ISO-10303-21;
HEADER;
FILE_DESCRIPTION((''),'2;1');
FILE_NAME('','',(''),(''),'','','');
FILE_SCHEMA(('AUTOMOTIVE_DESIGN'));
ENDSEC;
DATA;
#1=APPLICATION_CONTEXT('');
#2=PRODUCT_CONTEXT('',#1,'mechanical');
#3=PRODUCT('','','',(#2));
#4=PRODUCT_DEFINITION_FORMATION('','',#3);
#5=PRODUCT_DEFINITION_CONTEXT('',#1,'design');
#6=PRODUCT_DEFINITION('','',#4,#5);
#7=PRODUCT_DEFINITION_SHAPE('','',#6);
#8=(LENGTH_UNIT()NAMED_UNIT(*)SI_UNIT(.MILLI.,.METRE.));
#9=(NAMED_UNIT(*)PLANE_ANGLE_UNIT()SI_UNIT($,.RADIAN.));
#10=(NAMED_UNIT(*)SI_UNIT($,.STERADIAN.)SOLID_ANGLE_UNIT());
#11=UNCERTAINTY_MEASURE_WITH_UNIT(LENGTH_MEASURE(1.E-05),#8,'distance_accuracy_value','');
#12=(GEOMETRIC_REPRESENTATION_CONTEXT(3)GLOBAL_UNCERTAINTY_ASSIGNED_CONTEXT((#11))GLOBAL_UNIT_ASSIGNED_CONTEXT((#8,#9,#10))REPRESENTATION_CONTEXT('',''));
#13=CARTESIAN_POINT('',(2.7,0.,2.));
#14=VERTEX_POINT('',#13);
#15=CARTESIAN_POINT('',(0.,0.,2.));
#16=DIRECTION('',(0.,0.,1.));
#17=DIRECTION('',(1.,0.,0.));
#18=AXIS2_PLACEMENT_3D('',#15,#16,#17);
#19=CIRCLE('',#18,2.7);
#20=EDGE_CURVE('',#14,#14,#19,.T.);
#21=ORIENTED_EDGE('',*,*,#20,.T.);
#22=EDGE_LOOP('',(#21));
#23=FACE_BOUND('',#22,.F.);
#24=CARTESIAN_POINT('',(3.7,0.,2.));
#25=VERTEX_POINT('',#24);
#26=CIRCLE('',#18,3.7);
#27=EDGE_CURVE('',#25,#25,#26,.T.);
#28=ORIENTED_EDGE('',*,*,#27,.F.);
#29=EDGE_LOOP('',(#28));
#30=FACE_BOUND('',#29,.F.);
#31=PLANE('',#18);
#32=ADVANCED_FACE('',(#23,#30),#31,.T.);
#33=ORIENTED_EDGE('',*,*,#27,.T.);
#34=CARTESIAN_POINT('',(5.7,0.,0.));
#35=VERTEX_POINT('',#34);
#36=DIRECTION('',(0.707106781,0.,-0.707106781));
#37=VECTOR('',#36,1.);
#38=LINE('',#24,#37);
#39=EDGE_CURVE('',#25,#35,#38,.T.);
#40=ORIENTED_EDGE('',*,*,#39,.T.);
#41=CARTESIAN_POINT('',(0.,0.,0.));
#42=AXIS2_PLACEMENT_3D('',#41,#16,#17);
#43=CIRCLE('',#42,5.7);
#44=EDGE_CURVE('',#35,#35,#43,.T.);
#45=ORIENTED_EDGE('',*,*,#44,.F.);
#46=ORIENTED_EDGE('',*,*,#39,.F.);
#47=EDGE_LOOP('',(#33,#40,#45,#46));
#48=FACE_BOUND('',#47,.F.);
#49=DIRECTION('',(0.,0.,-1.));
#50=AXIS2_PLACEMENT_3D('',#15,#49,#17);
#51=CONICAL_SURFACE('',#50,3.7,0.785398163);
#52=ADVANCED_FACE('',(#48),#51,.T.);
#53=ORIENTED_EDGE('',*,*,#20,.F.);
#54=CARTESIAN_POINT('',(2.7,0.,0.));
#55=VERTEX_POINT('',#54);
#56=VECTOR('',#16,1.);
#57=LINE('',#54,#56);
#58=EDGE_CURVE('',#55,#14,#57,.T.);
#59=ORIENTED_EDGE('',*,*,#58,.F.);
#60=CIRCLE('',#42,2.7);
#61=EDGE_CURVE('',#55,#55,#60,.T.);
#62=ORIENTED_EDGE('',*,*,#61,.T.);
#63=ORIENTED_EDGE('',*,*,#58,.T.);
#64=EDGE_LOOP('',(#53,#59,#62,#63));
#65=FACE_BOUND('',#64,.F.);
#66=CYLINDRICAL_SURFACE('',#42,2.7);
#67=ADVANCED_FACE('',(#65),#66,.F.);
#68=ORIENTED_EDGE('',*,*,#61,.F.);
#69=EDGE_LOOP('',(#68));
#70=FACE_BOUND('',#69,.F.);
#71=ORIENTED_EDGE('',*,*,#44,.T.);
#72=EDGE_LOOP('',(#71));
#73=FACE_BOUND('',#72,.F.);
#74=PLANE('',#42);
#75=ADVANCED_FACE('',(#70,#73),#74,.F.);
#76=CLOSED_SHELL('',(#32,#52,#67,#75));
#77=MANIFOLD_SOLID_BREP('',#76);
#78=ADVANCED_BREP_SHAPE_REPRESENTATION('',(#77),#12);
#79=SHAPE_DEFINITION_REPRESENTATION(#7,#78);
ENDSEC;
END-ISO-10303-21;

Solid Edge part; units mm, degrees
sketch "Sketch1" plane through (0, 0, 0) normal (0, -1, 0) x (1, 0, 0)
  line L0 (3.7, 2) -> (5.7, 0)
  line L1 (5.7, 0) -> (2.7, 0)
  line L2 (2.7, 0) -> (2.7, 2)
  line L3 (2.7, 2) -> (3.7, 2)
revolve "RevolvedProtrusion1" add sketch "Sketch1" angle 360 about axis through (0, 0, 0) along (0, 0, 1)
